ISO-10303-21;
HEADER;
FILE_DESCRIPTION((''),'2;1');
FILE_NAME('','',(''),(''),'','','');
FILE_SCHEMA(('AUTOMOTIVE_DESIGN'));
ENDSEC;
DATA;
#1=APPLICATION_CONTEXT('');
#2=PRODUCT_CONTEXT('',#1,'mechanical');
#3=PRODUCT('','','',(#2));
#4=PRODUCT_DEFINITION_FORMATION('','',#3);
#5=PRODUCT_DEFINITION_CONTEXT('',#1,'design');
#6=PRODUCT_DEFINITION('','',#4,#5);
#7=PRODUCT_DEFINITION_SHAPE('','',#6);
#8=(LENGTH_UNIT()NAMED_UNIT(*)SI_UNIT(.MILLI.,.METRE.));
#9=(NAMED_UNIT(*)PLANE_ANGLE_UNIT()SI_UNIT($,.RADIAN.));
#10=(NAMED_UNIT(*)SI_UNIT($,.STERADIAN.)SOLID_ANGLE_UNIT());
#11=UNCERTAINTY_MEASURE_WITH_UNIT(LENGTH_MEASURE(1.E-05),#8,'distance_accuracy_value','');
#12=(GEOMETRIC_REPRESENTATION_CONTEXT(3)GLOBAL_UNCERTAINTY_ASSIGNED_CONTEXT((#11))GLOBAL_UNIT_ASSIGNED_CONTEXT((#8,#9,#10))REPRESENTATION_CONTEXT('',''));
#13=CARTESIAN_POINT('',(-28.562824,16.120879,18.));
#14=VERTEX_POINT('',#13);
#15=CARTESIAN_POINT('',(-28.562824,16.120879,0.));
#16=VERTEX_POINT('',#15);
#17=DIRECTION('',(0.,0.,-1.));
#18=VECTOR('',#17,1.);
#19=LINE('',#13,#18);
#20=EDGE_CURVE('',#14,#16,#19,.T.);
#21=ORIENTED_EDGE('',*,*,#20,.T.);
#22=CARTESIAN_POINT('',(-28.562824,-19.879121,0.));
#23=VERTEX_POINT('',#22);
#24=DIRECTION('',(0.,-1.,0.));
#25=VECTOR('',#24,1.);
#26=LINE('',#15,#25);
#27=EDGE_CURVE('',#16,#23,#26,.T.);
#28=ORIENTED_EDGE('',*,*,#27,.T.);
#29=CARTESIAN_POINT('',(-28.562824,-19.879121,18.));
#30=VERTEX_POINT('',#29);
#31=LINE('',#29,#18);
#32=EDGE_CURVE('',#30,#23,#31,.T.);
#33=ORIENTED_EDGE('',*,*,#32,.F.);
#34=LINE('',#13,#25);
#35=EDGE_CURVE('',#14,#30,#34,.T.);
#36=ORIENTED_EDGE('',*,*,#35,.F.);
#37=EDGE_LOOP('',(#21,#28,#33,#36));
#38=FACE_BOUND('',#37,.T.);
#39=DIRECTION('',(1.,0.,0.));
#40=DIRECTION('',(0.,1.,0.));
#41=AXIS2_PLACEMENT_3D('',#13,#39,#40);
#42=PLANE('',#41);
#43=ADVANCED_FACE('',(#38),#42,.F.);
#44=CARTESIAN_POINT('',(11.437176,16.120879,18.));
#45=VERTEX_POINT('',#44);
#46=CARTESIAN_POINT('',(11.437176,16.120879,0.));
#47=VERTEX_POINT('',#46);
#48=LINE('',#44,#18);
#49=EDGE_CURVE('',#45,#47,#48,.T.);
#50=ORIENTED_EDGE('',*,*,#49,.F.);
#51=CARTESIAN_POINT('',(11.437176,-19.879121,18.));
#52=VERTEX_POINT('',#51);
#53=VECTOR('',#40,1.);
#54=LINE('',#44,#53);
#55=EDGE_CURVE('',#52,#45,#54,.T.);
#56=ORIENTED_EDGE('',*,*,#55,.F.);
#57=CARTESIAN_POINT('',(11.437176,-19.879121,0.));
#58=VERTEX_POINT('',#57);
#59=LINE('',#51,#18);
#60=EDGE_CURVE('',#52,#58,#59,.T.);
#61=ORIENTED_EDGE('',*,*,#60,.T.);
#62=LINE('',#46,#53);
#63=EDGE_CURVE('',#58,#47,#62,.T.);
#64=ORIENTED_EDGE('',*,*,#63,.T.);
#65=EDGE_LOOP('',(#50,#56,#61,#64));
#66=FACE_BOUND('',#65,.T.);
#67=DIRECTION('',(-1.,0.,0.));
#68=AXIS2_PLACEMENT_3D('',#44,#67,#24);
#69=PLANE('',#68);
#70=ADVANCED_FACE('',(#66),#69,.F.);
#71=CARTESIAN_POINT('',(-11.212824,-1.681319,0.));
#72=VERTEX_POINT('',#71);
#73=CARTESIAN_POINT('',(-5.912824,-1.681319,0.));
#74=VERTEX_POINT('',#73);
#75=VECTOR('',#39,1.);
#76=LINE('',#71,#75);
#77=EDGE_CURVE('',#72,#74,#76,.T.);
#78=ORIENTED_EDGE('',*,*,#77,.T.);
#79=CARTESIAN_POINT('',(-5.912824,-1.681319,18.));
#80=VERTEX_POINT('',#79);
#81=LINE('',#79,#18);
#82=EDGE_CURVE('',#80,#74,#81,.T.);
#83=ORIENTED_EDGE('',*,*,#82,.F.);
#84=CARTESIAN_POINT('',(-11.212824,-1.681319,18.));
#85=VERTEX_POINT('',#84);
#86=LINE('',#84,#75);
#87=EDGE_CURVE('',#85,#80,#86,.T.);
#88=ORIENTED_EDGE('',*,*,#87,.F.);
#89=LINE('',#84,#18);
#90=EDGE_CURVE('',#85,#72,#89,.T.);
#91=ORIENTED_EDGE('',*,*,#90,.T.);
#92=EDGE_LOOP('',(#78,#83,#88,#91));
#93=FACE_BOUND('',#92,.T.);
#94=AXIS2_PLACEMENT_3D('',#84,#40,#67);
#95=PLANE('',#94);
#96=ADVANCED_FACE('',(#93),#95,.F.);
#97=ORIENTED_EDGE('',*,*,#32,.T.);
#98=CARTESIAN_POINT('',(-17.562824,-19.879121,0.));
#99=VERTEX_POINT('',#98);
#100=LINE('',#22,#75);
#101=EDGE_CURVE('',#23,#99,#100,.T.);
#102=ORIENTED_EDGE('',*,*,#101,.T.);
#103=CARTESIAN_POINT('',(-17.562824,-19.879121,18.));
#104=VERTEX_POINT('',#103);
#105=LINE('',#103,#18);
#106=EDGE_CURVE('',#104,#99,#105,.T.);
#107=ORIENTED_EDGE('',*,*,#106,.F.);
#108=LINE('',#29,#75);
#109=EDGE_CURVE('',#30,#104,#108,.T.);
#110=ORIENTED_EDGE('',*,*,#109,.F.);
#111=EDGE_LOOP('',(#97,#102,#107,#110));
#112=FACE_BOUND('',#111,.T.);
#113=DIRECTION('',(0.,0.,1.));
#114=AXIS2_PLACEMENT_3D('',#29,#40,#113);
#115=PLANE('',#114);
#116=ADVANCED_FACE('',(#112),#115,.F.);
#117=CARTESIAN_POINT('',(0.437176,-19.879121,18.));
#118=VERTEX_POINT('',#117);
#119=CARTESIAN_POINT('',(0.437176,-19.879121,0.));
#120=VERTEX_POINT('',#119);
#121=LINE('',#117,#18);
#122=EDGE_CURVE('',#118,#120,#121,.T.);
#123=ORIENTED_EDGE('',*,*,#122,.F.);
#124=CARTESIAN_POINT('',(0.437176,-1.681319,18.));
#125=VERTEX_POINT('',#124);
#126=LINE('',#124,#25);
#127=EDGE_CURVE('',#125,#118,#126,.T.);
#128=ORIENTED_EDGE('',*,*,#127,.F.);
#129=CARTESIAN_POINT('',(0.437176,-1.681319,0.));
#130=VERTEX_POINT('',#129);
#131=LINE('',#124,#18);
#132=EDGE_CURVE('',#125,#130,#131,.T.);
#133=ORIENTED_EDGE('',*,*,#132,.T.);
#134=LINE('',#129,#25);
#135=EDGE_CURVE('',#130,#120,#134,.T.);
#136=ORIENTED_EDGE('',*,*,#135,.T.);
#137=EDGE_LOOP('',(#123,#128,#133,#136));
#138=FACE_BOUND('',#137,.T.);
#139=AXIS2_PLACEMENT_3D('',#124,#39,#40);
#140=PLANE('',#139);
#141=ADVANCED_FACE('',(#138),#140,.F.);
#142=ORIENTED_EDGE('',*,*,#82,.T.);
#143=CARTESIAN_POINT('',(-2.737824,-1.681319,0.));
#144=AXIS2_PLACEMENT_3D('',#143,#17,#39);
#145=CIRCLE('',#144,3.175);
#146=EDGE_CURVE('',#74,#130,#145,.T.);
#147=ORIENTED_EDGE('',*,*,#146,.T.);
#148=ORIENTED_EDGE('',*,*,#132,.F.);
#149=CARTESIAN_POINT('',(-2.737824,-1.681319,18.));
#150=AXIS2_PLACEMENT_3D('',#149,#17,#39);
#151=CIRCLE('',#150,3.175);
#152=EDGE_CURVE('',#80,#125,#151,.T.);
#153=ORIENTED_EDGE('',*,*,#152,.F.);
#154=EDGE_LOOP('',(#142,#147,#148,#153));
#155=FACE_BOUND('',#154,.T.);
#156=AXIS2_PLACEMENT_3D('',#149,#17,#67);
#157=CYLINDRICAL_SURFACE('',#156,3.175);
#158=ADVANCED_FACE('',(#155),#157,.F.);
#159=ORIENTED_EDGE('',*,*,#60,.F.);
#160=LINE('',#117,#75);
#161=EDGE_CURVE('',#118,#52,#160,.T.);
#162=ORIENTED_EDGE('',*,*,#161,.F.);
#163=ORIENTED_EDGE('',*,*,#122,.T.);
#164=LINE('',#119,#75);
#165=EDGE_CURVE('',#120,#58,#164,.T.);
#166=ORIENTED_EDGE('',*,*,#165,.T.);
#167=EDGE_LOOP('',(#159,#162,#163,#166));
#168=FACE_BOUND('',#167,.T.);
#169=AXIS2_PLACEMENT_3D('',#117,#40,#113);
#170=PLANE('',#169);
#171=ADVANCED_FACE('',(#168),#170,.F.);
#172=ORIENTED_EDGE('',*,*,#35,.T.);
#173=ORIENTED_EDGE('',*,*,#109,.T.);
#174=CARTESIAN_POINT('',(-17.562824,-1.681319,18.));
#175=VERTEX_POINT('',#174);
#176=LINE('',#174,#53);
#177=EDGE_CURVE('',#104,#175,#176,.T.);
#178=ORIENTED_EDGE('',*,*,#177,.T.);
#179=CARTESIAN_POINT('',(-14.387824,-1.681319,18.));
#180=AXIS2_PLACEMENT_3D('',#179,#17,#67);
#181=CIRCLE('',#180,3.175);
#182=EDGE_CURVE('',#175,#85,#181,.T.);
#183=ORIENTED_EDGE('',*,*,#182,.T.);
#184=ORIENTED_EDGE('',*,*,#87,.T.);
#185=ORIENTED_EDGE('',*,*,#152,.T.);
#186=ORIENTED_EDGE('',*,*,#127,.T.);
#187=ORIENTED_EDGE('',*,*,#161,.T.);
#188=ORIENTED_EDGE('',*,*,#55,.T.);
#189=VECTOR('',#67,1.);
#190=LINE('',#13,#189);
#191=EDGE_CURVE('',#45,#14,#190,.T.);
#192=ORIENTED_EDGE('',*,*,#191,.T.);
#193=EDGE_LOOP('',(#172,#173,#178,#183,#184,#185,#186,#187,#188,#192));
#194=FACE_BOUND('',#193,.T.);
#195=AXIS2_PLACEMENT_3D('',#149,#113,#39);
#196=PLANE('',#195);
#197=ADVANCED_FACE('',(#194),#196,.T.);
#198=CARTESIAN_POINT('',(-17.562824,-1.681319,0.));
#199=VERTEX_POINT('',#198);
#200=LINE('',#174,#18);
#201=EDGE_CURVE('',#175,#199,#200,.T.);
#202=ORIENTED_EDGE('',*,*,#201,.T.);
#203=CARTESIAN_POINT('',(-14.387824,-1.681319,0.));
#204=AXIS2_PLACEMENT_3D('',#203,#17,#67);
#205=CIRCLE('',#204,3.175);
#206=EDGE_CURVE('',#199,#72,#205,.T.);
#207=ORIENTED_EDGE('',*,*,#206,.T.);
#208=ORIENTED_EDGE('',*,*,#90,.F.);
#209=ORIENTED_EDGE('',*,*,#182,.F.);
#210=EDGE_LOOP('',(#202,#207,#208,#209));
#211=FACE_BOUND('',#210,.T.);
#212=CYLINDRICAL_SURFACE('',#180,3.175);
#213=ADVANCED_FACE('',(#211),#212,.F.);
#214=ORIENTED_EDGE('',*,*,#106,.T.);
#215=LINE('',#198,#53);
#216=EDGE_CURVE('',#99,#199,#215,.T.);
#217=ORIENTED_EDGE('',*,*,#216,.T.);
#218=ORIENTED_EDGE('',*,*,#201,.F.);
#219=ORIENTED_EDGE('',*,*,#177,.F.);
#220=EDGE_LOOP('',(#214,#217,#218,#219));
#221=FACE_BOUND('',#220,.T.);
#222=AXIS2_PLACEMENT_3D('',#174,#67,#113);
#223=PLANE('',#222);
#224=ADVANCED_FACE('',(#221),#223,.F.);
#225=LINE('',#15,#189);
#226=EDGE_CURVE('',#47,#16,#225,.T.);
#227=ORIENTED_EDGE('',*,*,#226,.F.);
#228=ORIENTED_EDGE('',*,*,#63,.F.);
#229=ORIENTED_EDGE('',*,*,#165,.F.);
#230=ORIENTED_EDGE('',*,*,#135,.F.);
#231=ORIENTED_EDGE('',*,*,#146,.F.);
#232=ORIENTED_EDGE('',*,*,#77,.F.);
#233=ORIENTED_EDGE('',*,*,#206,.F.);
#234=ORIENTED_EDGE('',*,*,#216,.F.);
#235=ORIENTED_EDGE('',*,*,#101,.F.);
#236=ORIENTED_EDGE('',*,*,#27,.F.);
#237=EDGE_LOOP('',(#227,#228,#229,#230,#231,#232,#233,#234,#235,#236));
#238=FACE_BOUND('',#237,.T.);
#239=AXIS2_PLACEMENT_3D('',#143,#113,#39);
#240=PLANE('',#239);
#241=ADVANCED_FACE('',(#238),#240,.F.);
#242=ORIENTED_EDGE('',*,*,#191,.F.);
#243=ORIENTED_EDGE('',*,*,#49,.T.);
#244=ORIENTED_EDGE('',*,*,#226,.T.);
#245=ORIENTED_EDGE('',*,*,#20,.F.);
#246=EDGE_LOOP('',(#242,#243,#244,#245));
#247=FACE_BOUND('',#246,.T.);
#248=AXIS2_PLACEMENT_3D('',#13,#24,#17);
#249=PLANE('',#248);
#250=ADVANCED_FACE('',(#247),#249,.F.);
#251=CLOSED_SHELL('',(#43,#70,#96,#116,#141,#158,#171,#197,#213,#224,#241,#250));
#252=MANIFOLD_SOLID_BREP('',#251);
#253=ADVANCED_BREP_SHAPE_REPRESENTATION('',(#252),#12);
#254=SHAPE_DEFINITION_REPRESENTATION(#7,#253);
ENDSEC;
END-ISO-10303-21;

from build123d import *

# Parameters (mm, degrees)
ESTRUSIONE_ESTRUSIONE1_DEPTH = 18


with BuildPart() as part:
    # Schizzo1 → Estrusione-Estrusione1 (new body)
    with BuildSketch(Plane.XY):
        with BuildLine():
            Line((0.437175512, -19.879120879), (11.437175512, -19.879120879))
            Line((11.437175512, -19.879120879), (11.437175512, 16.120879121))
            Line((11.437175512, 16.120879121), (-28.562824488, 16.120879121))
            Line((-28.562824488, 16.120879121), (-28.562824488, -19.879120879))
            Line((-28.562824488, -19.879120879), (-17.562824488, -19.879120879))
            Line((-17.562824488, -19.879120879), (-17.562824488, -1.681318681))
            ThreePointArc((-17.562824488, -1.681318681), (-14.387824488, 1.493681319), (-11.212824488, -1.681318681))
            Line((-11.212824488, -1.681318681), (-5.912824488, -1.681318681))
            ThreePointArc((-5.912824488, -1.681318681), (-2.737824488, 1.493681319), (0.437175512, -1.681318681))
            Line((0.437175512, -1.681318681), (0.437175512, -19.879120879))
        make_face()
    extrude(amount=ESTRUSIONE_ESTRUSIONE1_DEPTH)


solid = part.part
